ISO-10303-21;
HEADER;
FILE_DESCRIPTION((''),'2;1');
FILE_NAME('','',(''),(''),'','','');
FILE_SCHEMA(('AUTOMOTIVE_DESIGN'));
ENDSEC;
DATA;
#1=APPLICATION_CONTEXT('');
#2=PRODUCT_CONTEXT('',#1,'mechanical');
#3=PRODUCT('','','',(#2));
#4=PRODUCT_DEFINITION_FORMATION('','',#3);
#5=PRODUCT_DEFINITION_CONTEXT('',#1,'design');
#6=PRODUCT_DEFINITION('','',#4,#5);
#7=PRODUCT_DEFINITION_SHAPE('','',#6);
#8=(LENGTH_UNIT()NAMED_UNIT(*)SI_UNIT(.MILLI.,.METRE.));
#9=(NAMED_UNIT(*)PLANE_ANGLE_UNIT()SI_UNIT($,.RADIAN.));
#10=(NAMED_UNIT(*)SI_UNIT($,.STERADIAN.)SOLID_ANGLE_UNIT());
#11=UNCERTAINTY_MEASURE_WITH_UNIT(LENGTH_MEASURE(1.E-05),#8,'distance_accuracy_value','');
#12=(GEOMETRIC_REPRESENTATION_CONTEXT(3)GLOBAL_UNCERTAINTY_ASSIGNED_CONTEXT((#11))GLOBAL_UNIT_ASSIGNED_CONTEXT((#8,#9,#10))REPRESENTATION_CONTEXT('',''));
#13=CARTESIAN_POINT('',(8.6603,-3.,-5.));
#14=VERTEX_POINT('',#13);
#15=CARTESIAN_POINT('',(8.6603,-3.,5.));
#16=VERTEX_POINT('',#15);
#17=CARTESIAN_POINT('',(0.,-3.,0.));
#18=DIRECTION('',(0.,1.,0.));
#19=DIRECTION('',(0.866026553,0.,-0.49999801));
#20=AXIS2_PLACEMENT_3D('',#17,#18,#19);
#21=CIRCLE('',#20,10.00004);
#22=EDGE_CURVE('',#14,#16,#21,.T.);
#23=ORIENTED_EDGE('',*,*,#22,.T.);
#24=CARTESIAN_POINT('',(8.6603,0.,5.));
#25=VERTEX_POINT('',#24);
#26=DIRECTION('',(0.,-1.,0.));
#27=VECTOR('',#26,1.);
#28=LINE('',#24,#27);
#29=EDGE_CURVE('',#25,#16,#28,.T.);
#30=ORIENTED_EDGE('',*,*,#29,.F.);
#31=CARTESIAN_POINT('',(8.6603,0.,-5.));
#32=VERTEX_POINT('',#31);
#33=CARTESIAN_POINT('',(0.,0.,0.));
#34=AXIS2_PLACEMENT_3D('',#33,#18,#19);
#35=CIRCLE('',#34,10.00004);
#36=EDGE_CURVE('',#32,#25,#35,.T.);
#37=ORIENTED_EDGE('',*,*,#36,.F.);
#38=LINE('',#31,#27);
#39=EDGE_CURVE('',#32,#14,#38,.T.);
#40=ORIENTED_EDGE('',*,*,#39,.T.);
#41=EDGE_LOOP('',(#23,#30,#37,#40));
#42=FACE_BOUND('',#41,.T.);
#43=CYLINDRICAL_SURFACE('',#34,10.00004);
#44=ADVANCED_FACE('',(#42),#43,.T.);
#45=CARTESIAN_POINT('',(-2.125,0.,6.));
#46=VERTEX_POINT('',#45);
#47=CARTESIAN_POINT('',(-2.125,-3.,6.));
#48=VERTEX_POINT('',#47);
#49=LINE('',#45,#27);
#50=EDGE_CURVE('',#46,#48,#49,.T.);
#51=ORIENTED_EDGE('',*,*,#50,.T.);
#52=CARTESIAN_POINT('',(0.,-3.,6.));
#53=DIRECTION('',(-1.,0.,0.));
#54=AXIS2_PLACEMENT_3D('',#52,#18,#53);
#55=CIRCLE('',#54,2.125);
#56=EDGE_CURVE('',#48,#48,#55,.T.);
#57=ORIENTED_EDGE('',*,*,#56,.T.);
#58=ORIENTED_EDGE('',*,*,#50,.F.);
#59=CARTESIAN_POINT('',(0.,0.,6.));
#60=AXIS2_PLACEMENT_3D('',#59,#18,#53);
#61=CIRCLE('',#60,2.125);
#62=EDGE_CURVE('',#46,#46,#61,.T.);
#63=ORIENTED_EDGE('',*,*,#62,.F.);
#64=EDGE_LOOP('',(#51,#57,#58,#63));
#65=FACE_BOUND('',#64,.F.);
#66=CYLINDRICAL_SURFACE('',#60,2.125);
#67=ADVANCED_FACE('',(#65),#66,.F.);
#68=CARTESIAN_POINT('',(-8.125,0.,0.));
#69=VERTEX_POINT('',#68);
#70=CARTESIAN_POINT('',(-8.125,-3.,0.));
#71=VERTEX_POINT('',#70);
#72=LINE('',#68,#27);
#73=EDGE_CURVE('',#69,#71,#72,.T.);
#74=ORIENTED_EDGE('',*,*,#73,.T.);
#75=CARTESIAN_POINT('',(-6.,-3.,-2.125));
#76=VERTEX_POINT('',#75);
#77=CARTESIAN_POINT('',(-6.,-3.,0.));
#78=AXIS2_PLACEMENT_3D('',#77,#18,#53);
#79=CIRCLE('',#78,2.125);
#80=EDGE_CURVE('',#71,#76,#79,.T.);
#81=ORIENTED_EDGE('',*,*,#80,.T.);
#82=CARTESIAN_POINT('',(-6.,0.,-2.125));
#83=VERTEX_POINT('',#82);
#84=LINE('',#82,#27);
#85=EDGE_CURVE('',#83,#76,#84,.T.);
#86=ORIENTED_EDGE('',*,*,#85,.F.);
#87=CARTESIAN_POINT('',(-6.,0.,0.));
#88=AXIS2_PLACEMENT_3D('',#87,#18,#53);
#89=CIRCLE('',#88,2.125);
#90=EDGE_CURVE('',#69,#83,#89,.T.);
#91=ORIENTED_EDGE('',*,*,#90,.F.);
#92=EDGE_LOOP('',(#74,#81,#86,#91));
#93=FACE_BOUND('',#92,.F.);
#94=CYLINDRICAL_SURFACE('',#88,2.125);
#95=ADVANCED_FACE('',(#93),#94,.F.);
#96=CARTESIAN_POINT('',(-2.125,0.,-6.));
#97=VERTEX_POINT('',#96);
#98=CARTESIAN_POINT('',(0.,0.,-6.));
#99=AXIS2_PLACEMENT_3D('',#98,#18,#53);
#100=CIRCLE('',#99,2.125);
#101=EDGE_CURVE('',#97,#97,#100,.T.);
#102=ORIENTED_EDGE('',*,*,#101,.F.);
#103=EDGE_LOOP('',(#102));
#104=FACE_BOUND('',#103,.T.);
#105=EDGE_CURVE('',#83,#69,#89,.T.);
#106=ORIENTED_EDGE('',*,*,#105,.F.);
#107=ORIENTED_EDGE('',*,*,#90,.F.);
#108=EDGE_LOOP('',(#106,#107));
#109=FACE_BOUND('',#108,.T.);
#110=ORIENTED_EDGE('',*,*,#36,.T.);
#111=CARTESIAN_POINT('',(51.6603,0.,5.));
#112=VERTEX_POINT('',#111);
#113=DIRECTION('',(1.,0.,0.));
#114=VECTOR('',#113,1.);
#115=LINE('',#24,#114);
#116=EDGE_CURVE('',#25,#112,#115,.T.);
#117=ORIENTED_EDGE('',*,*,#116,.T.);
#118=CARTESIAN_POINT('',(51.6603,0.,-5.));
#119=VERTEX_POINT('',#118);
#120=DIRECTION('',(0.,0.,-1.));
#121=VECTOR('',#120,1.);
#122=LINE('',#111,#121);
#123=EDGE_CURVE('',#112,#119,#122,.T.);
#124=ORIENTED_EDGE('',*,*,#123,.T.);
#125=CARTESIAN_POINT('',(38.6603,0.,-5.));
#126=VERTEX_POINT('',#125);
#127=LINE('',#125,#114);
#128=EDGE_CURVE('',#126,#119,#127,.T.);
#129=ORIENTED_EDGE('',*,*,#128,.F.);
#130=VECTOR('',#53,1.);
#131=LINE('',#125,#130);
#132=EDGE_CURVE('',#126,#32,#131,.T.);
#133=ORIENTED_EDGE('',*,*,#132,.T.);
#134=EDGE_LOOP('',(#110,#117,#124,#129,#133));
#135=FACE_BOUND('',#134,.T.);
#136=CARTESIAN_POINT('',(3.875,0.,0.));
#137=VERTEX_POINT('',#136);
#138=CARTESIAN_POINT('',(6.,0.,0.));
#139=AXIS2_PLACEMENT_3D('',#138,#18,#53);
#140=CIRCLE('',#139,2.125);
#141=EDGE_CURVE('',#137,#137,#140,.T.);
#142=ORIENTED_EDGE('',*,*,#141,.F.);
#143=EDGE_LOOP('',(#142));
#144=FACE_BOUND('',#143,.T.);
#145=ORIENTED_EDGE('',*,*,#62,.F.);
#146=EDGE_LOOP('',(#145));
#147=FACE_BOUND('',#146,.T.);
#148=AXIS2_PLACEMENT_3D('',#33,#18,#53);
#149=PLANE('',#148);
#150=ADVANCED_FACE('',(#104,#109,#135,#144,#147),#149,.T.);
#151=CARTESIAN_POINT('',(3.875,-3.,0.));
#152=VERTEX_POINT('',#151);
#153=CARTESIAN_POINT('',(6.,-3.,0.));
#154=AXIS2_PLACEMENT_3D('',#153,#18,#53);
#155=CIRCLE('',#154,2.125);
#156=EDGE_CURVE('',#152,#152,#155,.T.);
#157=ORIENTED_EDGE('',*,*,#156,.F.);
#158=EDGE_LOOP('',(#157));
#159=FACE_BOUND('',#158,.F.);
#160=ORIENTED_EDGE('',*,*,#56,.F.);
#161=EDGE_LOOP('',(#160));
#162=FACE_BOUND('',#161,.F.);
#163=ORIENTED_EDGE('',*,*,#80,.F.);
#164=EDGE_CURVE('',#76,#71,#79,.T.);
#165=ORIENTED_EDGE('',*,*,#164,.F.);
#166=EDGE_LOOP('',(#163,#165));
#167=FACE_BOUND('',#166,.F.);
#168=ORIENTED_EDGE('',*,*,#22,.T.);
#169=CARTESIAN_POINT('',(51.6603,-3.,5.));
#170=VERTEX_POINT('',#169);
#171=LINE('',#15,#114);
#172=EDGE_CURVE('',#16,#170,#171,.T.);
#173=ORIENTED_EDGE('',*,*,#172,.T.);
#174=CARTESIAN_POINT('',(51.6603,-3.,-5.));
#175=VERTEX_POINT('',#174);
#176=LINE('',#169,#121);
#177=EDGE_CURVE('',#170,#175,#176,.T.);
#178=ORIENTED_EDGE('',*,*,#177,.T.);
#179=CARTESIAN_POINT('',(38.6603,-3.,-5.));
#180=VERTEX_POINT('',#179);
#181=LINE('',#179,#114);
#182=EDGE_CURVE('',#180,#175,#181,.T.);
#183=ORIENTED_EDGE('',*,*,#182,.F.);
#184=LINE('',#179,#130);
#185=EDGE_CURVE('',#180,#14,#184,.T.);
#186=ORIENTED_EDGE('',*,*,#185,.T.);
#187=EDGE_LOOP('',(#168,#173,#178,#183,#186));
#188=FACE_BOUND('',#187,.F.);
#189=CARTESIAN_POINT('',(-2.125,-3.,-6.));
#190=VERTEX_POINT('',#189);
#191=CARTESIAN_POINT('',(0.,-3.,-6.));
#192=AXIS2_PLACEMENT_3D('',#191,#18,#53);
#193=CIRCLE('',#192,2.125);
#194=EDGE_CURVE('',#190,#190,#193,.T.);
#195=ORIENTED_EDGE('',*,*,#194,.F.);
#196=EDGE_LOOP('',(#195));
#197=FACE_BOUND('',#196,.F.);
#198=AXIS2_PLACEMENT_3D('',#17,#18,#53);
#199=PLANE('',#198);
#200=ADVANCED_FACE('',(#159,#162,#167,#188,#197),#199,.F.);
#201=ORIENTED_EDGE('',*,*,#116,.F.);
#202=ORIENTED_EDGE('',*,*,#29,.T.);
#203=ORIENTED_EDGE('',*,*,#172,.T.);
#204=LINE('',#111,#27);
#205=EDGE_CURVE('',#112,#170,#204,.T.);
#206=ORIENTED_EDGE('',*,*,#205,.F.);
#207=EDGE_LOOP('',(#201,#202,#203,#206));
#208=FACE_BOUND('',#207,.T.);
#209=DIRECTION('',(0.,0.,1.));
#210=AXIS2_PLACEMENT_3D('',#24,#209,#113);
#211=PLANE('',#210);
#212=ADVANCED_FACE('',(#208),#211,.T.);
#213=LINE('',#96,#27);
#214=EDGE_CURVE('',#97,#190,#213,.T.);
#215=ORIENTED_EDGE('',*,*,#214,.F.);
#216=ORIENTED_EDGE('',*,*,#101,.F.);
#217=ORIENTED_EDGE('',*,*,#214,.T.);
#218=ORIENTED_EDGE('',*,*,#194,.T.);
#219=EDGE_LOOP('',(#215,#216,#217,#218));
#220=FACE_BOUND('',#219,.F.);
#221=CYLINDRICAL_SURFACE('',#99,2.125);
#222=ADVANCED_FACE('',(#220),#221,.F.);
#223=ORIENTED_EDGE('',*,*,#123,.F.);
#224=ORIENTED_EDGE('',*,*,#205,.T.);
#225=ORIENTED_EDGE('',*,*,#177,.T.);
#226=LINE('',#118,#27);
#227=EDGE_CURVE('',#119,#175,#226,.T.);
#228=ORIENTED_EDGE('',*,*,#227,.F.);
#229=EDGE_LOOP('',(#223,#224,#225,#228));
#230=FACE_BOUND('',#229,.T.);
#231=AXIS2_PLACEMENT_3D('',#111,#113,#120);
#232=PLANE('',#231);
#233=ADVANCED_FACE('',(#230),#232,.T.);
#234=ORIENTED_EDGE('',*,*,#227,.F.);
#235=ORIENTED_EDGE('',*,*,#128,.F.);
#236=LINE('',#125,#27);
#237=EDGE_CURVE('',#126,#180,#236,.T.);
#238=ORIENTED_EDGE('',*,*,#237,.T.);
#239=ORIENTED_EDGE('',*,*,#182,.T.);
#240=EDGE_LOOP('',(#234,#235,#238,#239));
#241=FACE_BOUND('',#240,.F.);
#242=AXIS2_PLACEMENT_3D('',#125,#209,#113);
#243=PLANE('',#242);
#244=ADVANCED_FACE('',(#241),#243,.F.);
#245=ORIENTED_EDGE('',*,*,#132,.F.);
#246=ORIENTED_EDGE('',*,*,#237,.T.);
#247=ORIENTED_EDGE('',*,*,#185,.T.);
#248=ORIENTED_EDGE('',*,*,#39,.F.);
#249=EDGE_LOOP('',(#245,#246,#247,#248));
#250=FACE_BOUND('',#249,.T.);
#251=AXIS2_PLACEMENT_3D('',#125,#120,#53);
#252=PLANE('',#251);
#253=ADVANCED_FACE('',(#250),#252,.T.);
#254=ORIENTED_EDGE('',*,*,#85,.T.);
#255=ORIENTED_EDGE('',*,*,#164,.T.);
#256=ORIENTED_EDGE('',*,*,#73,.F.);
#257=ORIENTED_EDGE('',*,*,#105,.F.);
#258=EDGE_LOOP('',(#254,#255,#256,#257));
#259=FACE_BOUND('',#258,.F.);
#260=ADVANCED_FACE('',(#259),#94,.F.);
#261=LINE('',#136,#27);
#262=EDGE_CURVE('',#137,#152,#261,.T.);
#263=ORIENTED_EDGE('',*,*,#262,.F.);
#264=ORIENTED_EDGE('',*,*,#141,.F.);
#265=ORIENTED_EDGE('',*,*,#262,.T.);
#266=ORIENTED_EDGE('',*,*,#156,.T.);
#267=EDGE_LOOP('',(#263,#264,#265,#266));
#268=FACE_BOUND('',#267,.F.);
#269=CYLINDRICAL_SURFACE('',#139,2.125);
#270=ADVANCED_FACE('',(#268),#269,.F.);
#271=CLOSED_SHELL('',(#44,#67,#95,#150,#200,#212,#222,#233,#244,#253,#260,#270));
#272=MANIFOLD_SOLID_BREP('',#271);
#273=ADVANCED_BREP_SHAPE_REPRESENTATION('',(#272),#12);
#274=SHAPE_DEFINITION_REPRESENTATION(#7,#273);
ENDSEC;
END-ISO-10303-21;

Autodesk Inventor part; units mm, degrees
ref_plane "YZ Plane" through (0, 0, 0) normal (1, 0, 0) x (0, 1, 0)
ref_plane "XZ Plane" through (0, 0, 0) normal (0, 1, 0) x (-1, 0, 0)
ref_plane "XY Plane" through (0, 0, 0) normal (0, 0, 1) x (1, 0, 0)
sketch "Sketch1" plane through (0, 0, 0) normal (0, 1, 0) x (-1, 0, 0)
  arc A0 (-8.6603, -5) -> (-8.6603, 5) centre (0, 0) ccw
  circle A1 centre (6, 0) radius 2.125
  circle A2 centre (-6, 0) radius 2.125
  circle A3 centre (0, -6) radius 2.125
  circle A4 centre (0, 6) radius 2.125
  line L0 (6, 0) -> (6, -4)
  line L1 (-38.6603, -5) -> (-8.6603, -5)
  line L2 (-44.6603, 5) -> (-24.6603, 5) construction
  line L3 (-38.6603, -5) -> (-51.6603, -5)
  line L4 (-8.6603, 5) -> (-51.6603, 5)
  line L5 (-51.6603, 5) -> (-51.6603, -5)
  dimension "d0" = 20
  dimension "d1" = 4.25
  dimension "d2" = 6
  dimension "d3" = 4.25
  dimension "d4" = 6
  dimension "d5" = 4.25
  dimension "d6" = 6
  dimension "d7" = 4.25
  dimension "d8" = 6
  dimension "d9" = 4
  dimension "d26" = 43
  dimension "d28" = 43
extrude "Extrusion1" add sketch "Sketch1" against normal blind 3
properties part number "GripperLeftBar"
